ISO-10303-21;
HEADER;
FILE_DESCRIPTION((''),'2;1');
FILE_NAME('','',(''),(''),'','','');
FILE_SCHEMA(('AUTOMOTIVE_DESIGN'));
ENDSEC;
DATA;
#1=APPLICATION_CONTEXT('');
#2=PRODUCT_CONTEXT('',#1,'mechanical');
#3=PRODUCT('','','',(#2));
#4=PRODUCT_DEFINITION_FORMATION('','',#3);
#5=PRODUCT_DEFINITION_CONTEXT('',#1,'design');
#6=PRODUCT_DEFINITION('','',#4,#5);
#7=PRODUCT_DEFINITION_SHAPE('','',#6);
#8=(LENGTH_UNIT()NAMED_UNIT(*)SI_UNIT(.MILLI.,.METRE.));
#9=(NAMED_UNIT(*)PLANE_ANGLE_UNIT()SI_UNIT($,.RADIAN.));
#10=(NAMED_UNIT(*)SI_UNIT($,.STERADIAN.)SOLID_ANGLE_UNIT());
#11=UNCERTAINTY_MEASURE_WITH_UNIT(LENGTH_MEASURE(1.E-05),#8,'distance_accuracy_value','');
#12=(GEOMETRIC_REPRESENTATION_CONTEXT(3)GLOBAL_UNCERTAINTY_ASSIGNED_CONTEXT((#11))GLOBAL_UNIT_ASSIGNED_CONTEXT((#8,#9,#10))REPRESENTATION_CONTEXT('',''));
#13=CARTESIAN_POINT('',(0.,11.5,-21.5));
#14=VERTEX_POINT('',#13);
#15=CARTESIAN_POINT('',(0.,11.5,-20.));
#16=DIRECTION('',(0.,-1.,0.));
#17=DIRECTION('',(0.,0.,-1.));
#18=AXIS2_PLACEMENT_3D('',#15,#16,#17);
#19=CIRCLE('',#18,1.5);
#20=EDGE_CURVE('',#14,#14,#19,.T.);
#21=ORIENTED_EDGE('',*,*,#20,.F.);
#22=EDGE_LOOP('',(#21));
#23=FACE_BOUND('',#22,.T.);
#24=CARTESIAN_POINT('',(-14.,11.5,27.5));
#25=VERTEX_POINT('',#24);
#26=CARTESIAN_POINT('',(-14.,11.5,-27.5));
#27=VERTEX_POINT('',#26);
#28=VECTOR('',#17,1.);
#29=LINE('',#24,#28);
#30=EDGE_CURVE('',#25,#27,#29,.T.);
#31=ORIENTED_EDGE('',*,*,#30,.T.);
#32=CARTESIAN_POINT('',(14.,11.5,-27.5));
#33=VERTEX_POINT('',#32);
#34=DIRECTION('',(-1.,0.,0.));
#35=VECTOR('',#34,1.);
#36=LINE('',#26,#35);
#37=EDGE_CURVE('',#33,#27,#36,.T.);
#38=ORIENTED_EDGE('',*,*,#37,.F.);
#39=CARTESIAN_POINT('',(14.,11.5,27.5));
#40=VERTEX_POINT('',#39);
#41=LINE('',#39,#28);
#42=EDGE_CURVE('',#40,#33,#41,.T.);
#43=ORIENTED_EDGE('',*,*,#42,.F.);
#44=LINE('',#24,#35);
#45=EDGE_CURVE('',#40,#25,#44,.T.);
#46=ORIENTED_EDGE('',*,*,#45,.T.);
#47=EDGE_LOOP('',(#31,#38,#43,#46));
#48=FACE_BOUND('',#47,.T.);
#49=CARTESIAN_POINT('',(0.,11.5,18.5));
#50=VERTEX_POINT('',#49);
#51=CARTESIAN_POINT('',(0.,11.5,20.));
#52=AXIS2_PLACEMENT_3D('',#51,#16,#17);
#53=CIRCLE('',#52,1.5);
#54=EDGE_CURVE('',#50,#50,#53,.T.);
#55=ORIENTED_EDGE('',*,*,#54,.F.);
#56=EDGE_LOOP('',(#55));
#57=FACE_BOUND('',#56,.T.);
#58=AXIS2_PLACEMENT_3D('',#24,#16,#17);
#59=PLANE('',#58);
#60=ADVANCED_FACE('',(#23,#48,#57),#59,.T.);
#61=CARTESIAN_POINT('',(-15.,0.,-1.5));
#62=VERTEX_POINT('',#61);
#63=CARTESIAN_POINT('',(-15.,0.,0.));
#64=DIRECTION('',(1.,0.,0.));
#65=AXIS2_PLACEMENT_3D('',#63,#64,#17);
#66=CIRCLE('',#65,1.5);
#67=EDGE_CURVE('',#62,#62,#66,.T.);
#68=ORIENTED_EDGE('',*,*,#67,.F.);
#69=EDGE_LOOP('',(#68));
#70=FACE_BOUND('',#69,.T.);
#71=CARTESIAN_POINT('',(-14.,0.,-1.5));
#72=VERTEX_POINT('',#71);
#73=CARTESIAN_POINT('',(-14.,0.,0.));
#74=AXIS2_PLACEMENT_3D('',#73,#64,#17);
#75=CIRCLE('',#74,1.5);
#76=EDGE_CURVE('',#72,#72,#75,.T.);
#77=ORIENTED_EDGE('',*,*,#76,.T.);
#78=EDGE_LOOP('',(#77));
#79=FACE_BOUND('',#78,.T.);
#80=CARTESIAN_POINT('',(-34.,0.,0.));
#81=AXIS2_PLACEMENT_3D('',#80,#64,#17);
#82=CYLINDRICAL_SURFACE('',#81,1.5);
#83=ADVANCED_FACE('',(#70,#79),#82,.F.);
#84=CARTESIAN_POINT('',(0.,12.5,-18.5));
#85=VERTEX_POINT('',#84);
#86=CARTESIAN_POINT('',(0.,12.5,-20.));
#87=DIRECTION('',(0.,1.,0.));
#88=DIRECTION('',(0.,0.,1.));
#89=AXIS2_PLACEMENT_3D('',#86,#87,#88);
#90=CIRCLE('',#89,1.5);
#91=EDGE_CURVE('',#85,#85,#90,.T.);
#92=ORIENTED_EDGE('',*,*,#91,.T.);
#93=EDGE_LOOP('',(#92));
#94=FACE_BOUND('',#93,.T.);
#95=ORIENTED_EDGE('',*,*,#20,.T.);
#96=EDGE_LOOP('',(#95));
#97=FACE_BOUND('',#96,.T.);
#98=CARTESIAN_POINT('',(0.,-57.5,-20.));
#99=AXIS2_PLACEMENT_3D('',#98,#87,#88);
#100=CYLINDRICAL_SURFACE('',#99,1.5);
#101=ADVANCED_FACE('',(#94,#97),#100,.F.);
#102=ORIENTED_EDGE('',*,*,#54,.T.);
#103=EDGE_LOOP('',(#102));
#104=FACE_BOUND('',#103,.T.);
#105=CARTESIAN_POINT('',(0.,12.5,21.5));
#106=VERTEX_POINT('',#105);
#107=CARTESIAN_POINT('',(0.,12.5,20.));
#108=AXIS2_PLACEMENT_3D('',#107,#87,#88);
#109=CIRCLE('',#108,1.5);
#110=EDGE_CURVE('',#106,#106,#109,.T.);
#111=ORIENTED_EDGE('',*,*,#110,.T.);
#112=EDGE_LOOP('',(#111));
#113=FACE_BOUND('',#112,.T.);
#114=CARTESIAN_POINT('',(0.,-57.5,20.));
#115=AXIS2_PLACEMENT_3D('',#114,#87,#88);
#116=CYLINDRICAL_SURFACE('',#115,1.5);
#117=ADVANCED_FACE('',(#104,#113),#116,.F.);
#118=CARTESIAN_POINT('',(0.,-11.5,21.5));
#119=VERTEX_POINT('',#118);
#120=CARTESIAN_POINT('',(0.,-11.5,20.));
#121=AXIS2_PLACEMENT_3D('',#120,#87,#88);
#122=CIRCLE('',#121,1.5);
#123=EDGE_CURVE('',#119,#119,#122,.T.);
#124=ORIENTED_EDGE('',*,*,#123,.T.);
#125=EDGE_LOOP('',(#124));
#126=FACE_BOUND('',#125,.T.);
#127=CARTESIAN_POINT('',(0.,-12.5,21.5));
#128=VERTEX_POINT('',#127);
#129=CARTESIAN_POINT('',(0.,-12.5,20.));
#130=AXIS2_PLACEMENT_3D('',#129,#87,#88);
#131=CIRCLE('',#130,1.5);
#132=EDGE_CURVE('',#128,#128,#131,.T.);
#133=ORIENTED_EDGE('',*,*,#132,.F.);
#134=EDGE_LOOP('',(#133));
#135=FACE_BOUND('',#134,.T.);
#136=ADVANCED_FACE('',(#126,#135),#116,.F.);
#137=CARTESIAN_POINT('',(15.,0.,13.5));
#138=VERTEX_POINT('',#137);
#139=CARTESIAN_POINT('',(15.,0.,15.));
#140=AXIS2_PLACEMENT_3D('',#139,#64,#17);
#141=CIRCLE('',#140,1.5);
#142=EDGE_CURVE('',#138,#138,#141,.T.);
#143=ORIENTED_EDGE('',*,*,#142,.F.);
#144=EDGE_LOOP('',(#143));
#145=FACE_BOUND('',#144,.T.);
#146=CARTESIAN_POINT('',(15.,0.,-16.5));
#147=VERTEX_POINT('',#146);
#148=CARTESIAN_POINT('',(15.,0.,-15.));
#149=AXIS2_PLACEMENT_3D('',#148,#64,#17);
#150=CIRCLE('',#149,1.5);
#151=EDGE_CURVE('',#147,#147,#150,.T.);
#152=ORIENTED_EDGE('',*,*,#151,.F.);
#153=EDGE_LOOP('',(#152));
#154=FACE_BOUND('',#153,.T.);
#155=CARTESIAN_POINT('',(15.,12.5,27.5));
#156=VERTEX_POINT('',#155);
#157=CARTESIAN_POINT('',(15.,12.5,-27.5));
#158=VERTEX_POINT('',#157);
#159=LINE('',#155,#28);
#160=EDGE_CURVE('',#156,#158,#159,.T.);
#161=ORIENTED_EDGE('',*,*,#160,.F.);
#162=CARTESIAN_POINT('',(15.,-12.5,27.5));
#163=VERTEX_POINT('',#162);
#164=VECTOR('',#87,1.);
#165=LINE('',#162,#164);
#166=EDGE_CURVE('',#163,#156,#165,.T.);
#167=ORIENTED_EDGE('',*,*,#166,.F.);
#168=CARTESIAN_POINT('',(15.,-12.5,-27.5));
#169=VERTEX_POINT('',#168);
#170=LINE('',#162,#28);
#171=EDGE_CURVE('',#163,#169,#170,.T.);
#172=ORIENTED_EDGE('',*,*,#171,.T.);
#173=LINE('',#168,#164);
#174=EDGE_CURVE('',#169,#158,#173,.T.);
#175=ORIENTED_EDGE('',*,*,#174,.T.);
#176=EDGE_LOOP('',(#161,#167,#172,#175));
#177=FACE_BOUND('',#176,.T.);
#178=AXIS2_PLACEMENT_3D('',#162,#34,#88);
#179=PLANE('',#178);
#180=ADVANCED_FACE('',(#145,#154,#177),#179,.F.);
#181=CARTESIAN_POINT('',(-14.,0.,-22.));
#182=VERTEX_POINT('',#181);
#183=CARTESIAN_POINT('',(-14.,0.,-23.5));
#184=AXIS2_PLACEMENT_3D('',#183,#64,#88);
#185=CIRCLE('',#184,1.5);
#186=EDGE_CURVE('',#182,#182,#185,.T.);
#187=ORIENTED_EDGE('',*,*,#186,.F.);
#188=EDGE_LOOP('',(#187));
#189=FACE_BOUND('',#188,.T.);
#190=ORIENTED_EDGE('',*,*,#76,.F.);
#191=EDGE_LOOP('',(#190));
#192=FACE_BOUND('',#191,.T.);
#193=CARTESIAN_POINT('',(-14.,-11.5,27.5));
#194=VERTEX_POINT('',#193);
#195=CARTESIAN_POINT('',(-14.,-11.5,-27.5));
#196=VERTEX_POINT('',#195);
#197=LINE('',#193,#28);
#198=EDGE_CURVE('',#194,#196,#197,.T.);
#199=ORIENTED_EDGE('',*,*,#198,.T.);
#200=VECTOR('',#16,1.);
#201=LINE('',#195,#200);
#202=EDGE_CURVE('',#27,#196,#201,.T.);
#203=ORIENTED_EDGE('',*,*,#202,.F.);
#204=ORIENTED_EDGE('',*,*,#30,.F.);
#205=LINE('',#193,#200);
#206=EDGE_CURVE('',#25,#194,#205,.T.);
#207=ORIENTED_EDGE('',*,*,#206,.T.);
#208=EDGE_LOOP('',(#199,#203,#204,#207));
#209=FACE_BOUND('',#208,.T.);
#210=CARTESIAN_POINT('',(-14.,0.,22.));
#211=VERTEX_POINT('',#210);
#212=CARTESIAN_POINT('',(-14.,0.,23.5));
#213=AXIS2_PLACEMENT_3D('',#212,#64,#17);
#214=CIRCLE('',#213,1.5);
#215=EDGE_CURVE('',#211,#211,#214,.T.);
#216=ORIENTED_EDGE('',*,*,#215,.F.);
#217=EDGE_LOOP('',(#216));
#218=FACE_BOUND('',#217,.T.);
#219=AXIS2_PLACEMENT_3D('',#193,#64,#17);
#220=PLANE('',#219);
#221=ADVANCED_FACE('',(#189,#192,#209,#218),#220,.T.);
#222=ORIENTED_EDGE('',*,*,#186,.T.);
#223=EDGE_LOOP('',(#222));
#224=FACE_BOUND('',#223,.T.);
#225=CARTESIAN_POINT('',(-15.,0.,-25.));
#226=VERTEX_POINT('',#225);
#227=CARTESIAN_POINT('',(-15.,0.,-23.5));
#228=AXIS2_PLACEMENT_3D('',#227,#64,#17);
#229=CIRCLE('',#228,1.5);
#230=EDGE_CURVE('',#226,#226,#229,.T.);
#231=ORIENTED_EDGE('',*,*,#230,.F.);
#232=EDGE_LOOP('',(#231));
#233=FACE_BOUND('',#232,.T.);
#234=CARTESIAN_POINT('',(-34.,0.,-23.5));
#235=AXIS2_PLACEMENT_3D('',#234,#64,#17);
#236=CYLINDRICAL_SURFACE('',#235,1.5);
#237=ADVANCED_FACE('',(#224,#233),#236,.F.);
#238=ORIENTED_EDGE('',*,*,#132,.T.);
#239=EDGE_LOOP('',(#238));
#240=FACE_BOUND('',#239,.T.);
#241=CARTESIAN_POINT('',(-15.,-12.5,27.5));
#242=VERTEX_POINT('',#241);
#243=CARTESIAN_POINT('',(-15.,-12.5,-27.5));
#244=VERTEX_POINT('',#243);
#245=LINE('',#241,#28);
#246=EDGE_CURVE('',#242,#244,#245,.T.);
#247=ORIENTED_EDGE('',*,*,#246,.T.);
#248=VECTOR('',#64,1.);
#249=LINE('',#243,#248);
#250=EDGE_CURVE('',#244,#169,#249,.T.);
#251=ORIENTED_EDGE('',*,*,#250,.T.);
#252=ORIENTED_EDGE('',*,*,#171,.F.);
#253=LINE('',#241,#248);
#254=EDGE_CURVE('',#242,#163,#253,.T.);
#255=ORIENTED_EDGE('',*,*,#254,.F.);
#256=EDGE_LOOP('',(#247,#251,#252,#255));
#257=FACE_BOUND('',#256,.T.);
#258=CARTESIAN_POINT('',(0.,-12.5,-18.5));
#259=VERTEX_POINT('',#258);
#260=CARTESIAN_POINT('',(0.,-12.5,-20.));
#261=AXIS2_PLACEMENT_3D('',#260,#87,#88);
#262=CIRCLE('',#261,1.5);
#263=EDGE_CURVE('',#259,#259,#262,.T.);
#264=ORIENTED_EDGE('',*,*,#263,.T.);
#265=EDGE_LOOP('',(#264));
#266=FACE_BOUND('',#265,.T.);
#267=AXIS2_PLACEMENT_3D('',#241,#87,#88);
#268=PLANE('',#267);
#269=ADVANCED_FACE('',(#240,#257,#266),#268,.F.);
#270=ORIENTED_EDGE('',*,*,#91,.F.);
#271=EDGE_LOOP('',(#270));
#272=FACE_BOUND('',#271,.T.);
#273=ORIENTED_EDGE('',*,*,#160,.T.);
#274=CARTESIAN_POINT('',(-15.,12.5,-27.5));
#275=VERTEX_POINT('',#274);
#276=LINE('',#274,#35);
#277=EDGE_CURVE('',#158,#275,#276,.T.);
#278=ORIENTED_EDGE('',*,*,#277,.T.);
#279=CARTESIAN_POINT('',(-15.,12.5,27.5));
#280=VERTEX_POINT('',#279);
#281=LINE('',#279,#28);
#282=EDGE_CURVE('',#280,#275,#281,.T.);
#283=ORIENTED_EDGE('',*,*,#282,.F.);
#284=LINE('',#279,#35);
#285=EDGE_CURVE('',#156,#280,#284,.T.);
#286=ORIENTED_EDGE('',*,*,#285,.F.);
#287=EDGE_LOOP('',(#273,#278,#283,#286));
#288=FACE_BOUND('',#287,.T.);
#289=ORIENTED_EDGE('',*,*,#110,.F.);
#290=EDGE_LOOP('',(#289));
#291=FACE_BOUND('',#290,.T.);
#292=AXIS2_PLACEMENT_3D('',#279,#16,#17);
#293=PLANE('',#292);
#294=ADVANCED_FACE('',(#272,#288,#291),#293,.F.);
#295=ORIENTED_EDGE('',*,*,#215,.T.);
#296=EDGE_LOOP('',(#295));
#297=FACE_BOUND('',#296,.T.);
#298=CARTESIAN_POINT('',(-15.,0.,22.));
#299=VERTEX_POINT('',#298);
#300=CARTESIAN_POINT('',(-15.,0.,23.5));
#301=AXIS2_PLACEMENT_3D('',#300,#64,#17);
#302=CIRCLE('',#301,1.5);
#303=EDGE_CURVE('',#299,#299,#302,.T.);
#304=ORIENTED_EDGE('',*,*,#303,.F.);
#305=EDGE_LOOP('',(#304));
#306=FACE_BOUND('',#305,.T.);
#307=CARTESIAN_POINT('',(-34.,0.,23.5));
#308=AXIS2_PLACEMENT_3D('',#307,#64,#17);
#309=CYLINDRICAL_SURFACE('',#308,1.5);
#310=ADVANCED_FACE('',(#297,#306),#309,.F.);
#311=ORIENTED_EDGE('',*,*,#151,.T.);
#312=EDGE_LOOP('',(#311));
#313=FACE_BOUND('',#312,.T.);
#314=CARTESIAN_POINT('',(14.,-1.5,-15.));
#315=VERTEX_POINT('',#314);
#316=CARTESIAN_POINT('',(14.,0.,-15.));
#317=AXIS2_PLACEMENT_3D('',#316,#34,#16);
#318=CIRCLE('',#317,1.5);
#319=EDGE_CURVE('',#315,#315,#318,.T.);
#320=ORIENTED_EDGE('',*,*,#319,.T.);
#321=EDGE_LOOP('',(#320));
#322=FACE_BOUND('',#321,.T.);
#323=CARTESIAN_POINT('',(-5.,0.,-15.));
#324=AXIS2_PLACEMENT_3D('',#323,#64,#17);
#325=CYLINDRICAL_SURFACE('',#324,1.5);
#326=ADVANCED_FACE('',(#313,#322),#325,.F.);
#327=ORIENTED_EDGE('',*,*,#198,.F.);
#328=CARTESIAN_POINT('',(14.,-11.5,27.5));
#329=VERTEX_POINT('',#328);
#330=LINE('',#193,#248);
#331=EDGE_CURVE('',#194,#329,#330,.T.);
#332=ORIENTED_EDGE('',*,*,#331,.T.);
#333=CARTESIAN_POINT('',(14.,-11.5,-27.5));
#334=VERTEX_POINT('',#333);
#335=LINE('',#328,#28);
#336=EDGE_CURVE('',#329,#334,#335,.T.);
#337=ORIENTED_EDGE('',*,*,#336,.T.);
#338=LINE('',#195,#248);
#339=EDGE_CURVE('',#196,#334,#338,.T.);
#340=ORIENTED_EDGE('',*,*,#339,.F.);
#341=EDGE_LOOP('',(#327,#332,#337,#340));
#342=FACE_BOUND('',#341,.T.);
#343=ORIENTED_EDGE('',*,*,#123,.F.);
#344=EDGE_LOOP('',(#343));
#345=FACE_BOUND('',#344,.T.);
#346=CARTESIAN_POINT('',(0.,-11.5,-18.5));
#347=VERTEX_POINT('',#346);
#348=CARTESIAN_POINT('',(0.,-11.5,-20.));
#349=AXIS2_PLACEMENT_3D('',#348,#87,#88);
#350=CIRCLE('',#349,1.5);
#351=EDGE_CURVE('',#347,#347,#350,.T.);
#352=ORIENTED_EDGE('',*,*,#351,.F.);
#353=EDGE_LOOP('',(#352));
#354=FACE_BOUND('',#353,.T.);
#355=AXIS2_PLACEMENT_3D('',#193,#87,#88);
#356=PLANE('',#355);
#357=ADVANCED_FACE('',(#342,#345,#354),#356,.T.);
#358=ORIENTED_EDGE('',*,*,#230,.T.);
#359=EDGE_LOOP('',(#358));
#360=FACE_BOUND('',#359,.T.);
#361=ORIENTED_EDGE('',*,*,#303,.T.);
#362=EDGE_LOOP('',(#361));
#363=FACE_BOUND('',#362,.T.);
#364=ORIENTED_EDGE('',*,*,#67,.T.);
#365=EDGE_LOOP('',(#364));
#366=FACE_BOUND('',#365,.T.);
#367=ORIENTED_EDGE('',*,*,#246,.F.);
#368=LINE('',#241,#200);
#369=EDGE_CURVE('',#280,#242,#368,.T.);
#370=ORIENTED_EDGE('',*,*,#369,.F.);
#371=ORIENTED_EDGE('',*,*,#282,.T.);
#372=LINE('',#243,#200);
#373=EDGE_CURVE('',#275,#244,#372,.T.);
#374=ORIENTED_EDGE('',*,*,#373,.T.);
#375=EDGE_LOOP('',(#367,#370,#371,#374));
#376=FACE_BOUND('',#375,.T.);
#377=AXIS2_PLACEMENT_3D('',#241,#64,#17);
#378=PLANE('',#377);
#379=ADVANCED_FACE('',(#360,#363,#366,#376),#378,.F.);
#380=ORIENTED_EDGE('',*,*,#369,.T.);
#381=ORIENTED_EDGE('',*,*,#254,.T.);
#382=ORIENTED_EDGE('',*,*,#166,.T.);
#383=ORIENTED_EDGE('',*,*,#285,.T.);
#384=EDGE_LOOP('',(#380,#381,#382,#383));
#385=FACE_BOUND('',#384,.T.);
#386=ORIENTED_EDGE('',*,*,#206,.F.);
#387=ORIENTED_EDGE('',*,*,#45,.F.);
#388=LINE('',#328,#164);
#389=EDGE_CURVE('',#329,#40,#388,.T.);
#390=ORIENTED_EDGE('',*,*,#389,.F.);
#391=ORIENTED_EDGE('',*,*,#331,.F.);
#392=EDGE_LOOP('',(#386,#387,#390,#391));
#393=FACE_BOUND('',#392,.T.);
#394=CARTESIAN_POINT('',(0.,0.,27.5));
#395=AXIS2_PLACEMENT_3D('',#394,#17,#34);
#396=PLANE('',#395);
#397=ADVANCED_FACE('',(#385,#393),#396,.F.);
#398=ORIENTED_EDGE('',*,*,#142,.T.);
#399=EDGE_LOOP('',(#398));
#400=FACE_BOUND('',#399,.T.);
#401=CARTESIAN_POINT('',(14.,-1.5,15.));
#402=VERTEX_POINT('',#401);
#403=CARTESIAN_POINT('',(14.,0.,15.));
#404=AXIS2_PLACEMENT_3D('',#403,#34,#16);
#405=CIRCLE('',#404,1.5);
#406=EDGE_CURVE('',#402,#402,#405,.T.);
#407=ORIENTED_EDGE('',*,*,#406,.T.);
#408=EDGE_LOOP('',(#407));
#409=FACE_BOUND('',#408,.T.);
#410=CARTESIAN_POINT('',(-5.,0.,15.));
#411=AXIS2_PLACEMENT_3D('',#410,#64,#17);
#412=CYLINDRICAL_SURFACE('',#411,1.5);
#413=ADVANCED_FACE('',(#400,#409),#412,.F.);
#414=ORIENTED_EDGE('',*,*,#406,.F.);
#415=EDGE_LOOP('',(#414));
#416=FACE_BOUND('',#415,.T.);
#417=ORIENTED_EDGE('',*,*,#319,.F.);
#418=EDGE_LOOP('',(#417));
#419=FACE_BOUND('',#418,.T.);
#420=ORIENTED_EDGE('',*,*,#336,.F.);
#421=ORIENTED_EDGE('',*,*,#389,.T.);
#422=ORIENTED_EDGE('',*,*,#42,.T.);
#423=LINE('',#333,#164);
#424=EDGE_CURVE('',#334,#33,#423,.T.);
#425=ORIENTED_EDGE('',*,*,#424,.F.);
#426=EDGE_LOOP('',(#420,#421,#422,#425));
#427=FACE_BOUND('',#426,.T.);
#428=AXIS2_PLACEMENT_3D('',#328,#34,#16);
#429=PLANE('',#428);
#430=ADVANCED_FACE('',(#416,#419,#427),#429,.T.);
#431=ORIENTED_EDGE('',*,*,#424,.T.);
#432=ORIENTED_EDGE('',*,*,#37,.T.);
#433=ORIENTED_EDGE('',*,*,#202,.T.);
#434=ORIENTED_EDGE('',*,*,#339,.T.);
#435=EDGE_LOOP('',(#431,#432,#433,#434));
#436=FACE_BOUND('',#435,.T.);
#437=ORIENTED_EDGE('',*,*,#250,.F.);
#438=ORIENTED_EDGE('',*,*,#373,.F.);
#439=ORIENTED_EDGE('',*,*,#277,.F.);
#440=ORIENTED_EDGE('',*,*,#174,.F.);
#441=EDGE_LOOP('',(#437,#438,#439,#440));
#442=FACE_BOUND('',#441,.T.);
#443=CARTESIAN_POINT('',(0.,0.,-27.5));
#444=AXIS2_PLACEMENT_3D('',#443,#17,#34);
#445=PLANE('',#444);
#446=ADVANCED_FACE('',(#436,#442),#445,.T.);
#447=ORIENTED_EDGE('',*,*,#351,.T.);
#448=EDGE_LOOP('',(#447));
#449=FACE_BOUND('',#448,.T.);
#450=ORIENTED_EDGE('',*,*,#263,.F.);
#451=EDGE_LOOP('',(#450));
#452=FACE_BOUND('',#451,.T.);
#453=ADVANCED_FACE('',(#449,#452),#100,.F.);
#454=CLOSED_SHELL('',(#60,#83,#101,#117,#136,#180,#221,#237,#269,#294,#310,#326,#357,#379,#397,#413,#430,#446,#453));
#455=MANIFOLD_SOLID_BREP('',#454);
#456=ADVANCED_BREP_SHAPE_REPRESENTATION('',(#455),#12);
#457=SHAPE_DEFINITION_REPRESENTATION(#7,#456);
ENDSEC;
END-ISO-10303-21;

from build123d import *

# Parameters (mm, degrees)
SKETCH_1_W          = 30
SKETCH_1_H          = 25
SKETCH_1_W_2        = 28
SKETCH_1_H_2        = 23
EXTRUDE_1_DEPTH     = 27.5
SKETCH_2_R          = 1.5
CUT_EXTRUDE_1_DEPTH = 70
SKETCH_3_R          = 1.5
CUT_EXTRUDE_2_DEPTH = 20
SKETCH_4_R          = 1.5
CUT_EXTRUDE_3_DEPTH = 20


with BuildPart() as part:
    # 草图1 → 凸台-拉伸1 (new, symmetric)
    with BuildSketch(Plane.XY):
        Rectangle(SKETCH_1_W, SKETCH_1_H)
        Rectangle(SKETCH_1_W_2, SKETCH_1_H_2, mode=Mode.SUBTRACT)
    extrude(amount=EXTRUDE_1_DEPTH, both=True)

    # 草图2 → 切除-拉伸1 (cut)
    with BuildSketch(Plane(origin=(0, 12.5, 0), x_dir=(1, 0, 0), z_dir=(0, 1, 0))):
        with Locations(Location((0, 20, 0), (0, 0, 270))):
            Circle(SKETCH_2_R)
        with Locations(Location((0, -20, 0), (0, 0, 270))):
            Circle(SKETCH_2_R)
    extrude(amount=-CUT_EXTRUDE_1_DEPTH, mode=Mode.SUBTRACT)

    # 草图3 → 切除-拉伸2 (cut)
    with BuildSketch(Plane(origin=(-14, 0, 0), x_dir=(0, 0, -1), z_dir=(1, 0, 0))):
        Circle(SKETCH_3_R)
        with Locations((-23.5, 0)):
            Circle(SKETCH_3_R)
        with Locations((23.5, 0)):
            Circle(SKETCH_3_R)
    extrude(amount=-CUT_EXTRUDE_2_DEPTH, mode=Mode.SUBTRACT)

    # 草图4 → 切除-拉伸3 (cut)
    with BuildSketch(Plane(origin=(15, 0, 0), x_dir=(0, 0, -1), z_dir=(1, 0, 0))):
        with Locations((15, 0)):
            Circle(SKETCH_4_R)
        with Locations((-15, 0)):
            Circle(SKETCH_4_R)
    extrude(amount=-CUT_EXTRUDE_3_DEPTH, mode=Mode.SUBTRACT)


solid = part.part
